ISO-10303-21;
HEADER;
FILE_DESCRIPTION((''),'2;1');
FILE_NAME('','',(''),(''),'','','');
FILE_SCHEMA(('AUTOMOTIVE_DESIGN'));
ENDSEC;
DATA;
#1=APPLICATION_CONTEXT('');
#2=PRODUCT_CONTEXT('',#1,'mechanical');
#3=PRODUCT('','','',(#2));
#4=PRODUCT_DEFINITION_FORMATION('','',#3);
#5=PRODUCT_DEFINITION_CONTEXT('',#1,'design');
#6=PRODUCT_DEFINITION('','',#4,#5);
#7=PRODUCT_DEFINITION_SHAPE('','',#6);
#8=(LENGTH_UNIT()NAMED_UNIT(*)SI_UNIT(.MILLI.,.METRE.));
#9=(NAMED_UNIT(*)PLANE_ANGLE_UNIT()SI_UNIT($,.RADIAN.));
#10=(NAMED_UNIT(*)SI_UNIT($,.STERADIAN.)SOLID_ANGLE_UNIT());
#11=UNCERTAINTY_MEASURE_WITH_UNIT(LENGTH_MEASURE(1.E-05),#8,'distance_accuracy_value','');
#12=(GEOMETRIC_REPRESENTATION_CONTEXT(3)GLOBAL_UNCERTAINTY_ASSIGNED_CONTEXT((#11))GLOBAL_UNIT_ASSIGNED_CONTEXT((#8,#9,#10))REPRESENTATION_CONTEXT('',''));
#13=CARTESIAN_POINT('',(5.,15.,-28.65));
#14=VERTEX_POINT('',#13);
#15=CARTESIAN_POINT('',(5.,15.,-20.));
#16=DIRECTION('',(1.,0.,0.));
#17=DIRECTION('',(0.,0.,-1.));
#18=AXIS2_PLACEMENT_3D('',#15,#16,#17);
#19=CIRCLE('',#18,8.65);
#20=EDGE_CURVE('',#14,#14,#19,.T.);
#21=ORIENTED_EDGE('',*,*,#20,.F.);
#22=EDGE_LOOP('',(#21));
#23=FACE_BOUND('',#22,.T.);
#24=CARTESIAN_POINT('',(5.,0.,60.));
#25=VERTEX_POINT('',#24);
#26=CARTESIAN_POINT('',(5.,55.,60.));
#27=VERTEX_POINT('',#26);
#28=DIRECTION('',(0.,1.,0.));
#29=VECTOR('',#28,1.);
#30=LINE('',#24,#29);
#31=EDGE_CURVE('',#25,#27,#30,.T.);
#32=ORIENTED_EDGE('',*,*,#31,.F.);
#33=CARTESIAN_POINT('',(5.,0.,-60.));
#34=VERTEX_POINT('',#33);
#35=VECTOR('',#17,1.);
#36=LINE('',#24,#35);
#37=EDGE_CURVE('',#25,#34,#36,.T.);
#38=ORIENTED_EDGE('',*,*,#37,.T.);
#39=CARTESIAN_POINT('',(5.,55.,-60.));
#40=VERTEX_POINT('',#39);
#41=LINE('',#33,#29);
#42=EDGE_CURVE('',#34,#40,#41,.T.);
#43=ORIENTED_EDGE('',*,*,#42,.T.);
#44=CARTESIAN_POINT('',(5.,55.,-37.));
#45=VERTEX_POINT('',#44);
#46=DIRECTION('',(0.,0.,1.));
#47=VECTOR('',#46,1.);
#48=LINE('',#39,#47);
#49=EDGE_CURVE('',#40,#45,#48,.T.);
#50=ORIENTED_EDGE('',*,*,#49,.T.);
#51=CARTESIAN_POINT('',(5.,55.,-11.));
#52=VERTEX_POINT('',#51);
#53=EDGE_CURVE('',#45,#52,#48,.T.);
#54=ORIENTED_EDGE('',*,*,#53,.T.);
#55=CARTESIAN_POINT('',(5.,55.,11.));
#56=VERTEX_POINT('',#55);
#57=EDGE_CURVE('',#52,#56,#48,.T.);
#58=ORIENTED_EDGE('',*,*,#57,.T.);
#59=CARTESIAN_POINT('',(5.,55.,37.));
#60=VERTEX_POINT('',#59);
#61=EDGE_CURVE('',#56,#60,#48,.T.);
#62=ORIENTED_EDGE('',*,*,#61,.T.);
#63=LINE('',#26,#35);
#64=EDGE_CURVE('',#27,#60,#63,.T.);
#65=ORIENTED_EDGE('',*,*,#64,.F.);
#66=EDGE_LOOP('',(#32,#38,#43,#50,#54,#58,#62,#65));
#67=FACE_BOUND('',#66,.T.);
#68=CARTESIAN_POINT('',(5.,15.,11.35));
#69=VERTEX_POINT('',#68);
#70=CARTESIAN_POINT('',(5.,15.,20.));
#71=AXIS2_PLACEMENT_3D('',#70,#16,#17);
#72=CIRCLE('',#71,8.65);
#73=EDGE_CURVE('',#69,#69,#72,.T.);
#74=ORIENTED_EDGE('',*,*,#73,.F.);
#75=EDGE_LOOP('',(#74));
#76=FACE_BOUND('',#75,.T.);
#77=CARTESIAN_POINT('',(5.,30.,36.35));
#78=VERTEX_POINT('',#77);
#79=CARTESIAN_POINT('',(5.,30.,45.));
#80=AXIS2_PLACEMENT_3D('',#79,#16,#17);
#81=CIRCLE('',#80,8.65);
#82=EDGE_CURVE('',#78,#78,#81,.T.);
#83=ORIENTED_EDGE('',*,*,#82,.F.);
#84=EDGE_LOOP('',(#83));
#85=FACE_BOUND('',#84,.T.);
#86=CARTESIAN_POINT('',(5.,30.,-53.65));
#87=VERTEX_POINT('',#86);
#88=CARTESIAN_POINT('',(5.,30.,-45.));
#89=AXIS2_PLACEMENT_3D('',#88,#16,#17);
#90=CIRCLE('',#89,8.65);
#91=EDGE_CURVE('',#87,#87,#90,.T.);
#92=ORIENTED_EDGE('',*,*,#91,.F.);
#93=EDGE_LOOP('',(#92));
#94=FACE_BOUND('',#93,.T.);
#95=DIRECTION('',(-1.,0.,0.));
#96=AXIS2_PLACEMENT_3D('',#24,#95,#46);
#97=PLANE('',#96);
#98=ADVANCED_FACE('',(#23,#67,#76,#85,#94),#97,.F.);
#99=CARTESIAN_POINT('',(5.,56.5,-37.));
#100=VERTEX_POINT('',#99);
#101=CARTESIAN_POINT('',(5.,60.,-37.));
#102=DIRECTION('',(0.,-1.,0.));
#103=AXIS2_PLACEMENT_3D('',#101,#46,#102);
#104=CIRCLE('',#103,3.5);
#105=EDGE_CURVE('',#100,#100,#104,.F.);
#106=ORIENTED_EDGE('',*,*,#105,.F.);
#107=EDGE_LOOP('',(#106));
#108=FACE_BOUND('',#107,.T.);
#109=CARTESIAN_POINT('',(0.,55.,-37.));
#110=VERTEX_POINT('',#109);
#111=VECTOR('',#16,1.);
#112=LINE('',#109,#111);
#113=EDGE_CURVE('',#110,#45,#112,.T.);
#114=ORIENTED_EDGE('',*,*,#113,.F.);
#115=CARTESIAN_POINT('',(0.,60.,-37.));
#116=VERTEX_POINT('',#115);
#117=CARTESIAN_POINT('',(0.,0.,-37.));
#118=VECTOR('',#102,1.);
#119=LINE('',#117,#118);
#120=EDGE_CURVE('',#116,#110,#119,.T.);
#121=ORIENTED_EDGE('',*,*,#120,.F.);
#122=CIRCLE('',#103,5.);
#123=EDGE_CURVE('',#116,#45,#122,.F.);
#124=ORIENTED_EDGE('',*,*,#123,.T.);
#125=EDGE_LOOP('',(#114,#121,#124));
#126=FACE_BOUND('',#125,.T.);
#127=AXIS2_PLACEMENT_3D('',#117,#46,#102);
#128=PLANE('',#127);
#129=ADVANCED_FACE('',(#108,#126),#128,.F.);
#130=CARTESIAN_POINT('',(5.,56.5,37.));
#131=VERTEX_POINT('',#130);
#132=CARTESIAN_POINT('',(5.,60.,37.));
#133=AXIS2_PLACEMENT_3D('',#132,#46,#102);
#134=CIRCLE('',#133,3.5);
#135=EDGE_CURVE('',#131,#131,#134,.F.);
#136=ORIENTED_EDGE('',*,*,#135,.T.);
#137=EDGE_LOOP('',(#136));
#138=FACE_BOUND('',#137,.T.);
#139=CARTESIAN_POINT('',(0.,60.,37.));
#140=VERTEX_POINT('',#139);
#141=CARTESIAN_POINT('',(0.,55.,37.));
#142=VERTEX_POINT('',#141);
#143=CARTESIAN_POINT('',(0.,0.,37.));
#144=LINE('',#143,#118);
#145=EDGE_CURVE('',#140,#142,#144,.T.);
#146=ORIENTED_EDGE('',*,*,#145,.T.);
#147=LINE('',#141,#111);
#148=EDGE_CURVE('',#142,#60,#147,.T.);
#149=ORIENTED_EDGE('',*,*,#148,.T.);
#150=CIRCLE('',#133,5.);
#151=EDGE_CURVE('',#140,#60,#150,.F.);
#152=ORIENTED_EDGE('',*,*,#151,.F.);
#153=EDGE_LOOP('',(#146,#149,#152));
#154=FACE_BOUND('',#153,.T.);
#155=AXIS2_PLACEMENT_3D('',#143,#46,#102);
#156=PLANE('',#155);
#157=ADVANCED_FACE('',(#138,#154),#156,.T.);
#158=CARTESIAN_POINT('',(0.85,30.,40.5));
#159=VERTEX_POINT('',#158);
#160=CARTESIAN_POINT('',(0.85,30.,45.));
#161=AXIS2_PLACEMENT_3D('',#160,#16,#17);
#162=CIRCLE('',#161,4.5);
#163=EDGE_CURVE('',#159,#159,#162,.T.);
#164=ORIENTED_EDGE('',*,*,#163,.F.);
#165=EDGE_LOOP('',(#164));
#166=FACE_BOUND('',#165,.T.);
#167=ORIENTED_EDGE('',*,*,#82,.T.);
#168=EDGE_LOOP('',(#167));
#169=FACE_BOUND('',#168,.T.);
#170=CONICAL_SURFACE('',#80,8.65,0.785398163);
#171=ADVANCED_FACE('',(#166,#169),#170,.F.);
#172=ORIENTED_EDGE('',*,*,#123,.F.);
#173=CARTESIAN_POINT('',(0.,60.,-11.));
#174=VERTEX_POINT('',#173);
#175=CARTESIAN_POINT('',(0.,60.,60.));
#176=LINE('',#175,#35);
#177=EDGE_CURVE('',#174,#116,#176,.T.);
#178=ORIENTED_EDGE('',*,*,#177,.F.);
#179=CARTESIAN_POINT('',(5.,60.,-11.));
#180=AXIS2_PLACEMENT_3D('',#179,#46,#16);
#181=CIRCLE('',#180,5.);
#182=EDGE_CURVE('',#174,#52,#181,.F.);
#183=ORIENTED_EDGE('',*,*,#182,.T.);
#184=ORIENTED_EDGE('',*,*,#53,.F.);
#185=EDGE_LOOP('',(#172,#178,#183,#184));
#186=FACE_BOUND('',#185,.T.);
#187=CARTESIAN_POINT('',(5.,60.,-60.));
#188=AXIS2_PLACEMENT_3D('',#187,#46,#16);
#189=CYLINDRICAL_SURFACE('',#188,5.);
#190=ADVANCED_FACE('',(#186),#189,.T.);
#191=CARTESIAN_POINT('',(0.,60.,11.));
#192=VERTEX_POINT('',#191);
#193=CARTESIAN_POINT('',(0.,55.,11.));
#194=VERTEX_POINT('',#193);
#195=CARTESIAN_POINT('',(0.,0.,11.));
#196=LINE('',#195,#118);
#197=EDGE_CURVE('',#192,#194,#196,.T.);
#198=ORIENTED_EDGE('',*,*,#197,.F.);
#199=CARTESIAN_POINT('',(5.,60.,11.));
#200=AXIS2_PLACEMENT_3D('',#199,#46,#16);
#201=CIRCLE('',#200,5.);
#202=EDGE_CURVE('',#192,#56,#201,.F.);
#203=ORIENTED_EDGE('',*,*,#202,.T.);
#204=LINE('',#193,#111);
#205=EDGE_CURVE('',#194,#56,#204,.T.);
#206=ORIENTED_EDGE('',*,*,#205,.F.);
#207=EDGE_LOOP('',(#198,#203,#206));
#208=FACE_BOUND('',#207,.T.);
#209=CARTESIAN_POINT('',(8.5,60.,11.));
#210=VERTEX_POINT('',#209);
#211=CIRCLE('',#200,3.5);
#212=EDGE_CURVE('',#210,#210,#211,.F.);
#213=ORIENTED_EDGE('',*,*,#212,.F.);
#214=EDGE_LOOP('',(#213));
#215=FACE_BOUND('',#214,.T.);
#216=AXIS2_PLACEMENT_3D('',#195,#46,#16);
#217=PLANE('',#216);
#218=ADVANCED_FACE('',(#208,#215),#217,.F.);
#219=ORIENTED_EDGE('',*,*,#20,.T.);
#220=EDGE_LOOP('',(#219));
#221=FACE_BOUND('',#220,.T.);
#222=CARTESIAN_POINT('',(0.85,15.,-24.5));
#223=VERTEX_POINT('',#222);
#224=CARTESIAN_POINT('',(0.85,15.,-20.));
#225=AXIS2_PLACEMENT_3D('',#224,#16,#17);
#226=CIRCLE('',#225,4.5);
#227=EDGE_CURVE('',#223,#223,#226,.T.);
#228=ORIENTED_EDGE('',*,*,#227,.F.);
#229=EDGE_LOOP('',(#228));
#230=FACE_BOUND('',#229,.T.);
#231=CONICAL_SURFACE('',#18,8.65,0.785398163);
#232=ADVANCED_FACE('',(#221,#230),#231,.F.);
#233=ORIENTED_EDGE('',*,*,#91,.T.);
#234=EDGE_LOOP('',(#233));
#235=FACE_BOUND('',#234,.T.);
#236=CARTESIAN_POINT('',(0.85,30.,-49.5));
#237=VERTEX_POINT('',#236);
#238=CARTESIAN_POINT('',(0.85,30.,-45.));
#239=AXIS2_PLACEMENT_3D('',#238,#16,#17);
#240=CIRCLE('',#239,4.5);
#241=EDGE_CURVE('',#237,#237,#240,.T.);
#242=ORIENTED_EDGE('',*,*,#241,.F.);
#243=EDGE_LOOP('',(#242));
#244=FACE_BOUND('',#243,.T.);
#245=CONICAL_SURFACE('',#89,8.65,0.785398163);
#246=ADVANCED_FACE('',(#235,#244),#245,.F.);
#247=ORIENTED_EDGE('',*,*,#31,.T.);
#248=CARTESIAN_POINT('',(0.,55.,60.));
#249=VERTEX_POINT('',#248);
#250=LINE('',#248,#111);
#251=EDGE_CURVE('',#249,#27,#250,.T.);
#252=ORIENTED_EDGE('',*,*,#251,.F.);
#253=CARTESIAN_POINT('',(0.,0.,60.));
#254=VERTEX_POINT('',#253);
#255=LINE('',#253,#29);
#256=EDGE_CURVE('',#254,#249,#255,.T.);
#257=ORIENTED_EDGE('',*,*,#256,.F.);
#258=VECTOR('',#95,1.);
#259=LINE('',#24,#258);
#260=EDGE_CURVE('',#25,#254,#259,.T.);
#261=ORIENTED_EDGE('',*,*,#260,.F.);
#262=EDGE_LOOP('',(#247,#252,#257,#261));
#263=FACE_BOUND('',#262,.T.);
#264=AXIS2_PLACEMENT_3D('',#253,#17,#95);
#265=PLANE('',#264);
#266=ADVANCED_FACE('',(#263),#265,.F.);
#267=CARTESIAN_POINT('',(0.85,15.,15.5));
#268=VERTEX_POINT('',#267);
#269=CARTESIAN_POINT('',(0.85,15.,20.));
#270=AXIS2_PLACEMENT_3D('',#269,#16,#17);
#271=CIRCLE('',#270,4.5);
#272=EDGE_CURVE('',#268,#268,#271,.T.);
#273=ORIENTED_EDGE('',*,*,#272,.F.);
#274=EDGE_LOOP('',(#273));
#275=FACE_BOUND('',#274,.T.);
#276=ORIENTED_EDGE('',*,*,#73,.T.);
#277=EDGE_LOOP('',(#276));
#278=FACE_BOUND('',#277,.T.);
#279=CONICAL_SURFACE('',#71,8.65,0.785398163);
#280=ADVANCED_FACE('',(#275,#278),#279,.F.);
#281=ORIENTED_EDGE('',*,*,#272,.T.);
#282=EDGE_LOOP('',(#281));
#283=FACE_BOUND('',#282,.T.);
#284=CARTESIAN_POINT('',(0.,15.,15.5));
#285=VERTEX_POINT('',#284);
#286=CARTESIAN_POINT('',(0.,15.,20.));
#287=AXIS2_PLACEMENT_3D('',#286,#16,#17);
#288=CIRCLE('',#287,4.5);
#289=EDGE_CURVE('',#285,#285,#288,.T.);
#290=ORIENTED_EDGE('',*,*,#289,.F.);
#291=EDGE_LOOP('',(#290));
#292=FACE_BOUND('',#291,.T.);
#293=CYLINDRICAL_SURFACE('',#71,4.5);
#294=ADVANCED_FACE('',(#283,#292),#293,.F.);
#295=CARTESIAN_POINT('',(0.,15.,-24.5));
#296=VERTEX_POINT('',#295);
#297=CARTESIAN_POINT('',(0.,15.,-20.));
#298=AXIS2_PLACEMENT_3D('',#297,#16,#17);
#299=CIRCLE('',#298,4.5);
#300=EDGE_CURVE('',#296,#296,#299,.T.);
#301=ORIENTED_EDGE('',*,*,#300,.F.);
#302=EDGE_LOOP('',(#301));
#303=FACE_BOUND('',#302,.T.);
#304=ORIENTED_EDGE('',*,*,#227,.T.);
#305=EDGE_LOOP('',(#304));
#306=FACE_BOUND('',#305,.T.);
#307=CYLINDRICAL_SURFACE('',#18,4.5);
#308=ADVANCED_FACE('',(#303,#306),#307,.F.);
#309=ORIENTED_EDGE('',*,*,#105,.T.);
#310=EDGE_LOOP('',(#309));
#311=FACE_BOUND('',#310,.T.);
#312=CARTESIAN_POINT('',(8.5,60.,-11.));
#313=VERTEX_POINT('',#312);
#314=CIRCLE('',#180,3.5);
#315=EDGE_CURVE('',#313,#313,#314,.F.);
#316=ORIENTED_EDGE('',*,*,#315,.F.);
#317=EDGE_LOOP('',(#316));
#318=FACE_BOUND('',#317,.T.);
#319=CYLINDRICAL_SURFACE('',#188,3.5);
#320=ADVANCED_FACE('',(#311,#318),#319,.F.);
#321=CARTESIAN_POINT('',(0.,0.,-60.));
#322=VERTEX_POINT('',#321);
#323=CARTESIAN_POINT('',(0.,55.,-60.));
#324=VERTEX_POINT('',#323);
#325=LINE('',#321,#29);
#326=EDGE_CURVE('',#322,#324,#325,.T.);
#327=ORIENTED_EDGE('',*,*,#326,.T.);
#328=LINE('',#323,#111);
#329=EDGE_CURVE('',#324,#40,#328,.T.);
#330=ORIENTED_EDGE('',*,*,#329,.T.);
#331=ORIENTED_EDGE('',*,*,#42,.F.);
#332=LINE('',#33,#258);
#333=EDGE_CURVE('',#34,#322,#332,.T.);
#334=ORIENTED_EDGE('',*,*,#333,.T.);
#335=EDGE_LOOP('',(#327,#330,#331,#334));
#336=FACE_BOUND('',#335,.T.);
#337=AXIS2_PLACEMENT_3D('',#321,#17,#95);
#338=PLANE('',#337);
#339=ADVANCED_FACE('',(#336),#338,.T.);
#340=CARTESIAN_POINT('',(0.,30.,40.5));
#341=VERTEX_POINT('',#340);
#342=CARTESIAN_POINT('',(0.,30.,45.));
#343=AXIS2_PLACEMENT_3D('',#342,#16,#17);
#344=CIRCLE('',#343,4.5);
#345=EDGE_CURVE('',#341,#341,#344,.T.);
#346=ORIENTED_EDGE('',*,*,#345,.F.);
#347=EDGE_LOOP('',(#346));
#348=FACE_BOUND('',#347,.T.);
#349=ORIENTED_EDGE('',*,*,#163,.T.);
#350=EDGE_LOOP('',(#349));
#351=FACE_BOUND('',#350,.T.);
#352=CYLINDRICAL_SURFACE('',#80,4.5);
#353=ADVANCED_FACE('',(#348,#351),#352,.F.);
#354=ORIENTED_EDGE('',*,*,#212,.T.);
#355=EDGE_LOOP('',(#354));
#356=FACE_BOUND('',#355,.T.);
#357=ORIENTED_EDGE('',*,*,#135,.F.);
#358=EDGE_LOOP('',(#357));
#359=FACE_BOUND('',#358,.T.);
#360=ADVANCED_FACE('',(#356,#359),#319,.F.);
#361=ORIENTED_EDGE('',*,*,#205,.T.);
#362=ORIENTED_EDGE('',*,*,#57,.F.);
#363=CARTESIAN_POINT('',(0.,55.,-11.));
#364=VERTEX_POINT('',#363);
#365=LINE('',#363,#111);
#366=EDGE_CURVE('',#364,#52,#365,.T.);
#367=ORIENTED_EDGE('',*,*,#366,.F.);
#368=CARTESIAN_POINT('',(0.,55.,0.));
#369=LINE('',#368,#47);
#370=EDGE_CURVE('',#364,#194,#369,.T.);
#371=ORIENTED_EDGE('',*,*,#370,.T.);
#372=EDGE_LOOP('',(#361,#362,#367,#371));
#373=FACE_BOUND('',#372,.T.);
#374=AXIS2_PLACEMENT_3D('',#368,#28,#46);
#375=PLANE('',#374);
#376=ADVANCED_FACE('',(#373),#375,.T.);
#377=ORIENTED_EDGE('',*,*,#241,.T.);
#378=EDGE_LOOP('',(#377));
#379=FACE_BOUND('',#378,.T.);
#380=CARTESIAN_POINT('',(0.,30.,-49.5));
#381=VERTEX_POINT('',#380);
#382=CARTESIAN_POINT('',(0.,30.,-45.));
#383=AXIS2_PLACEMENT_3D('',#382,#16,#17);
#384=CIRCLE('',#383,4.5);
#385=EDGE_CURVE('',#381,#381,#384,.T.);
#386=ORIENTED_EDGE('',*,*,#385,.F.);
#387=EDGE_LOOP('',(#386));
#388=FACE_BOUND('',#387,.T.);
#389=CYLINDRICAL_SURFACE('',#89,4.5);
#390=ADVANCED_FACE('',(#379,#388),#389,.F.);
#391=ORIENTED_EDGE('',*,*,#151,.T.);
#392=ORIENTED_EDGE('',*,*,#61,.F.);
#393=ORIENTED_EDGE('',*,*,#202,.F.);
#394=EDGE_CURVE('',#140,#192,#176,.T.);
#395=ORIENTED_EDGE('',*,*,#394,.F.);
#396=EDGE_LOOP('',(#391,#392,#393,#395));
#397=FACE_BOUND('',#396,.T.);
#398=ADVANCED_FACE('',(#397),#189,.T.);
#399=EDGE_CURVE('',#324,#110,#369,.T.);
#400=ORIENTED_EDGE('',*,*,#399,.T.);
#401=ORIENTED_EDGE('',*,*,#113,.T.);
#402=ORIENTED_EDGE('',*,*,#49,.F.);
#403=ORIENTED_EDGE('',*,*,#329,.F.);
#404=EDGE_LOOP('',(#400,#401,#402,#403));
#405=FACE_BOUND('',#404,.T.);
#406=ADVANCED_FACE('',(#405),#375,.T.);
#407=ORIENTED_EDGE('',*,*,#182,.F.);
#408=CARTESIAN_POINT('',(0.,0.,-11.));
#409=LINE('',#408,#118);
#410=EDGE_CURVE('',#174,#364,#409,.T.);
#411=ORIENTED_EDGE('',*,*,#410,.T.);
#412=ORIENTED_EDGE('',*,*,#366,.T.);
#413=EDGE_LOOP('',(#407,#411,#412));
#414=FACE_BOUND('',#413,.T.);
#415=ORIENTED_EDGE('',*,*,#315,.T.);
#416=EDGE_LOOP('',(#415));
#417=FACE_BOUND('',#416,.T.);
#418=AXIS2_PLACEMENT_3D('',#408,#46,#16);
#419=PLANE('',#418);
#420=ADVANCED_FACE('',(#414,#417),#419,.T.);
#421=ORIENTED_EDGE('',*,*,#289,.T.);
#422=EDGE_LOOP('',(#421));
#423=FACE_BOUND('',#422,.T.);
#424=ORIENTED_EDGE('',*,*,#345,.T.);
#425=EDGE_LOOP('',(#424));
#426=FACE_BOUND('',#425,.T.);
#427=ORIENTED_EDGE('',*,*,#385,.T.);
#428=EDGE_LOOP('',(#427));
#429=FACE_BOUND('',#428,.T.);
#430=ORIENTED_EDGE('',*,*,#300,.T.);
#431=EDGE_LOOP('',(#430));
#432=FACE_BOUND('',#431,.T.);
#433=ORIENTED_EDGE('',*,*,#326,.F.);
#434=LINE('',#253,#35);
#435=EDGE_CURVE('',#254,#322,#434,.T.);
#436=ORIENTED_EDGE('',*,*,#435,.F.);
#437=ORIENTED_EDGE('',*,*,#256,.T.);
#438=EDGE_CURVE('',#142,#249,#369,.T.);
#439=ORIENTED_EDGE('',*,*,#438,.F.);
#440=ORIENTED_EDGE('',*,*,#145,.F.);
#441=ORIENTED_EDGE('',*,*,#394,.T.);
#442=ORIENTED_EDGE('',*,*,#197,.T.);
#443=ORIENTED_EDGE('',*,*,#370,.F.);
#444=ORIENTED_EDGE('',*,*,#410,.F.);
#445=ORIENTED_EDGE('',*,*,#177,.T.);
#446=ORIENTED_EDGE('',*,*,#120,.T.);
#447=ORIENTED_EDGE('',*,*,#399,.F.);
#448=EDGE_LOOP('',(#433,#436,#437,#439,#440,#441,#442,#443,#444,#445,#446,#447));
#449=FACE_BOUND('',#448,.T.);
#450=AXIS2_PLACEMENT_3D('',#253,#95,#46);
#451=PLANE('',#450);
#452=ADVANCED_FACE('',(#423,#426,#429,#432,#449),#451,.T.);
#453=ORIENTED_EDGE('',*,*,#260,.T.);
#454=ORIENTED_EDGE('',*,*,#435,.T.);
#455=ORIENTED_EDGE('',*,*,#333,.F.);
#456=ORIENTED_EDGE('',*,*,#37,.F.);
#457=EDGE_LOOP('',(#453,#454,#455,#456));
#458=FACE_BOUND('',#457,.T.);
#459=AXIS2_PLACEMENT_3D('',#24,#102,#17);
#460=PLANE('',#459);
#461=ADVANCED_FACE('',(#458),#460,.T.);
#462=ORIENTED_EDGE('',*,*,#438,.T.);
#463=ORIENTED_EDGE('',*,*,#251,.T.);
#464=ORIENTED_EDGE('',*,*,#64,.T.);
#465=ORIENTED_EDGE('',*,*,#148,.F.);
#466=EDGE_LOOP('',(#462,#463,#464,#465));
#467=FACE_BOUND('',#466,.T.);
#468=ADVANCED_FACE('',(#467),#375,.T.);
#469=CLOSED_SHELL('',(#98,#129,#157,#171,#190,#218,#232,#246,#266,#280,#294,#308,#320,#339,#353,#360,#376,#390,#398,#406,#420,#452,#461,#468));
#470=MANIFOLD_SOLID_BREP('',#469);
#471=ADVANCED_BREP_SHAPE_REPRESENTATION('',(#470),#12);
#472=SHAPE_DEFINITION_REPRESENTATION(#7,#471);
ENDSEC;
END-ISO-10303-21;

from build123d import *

# Parameters (mm, degrees)
SKETCH_1_W                 = 5
SKETCH_1_H                 = 60
EXTRUDE_1_DEPTH            = 60
SKETCH_2_R                 = 5
SKETCH_4_R                 = 3.5
CUT_EXTRUDE_1_DEPTH        = 137.839321834
HOLE_WIZARD_M81_AT_2_COUNT = 2
HOLE_WIZARD_M81_AT_2_PITCH = 29.154759474
CUT_EXTRUDE_2_DEPTH        = 89.600225733
CUT_EXTRUDE_2_DEPTH_BACK   = 89.600225733
SKETCH_7_W                 = 23
SKETCH_7_H                 = 10
SKETCH_7_W_2               = 22


with BuildPart() as part:
    # Эскиз1 → Вытянуть-Тонкостенный1 (new, symmetric)
    with BuildSketch(Plane.XY):
        with Locations((2.5, 30)):
            Rectangle(SKETCH_1_W, SKETCH_1_H)
    extrude(amount=EXTRUDE_1_DEPTH, both=True)

    # По траектории1: sweep along a curve in space
    with BuildLine() as sweep_1_path:
        Line((5, 60, 60), (5, 60, -60))
    # Эскиз2 → По траектории1 (sweep)
    with BuildSketch(Plane.XY.offset(60)):
        with Locations((5, 60)):
            Circle(SKETCH_2_R)
    sweep(path=sweep_1_path.line)

    # Эскиз4 → Вырез-Вытянуть1 (cut, through all)
    with BuildSketch(Plane.XY.offset(60)):
        with Locations((5, 60)):
            Circle(SKETCH_4_R)
    extrude(amount=-CUT_EXTRUDE_1_DEPTH, mode=Mode.SUBTRACT)

    # Эскиз5 → Зенковка для  винта с плоской головкой M81 (revolve, cut)
    with BuildSketch(Plane(origin=(5, 30, 45), x_dir=(0, 0, -1), z_dir=(0, 1, 0))):
        Polygon((0, 0), (0, 5), (4.5, 5), (4.5, 4.15), (8.65, 0), align=None)
    hole_wizard_m81 = revolve(axis=Axis((11.35, 30, 45), (-1, 0, 0)), mode=Mode.SUBTRACT)

    # Зенковка для  винта с плоской головкой M81 at 2: Зенковка для  винта с плоской головкой M81 ×2
    with Locations(*[Vector(0, -0.5144957554275265, -0.8574929257125442) * (i * HOLE_WIZARD_M81_AT_2_PITCH) for i in range(1, HOLE_WIZARD_M81_AT_2_COUNT)]):
        add(hole_wizard_m81, mode=Mode.SUBTRACT)

    # Зеркальное отражение1: Зенковка для  винта с плоской головкой M81 across plane
    add(hole_wizard_m81.mirror(Plane.XY), mode=Mode.SUBTRACT)

    # Зеркальное отражение1 copy 1 sketch → Зеркальное отражение1 copy 1 (revolve, cut)
    with BuildSketch(Plane(origin=(5, 15, -20), x_dir=(0, 0, 1), z_dir=(0, 1, 0))):
        Polygon((0, 0), (0, -5), (4.5, -5), (4.5, -4.15), (8.65, 0), align=None)
    revolve(axis=Axis((11.35, 15, -20), (1, 0, 0)), mode=Mode.SUBTRACT)

    # Эскиз7 → Вырез-Вытянуть2 (cut, two sides: drawn at the far end of the back side and taken through both)
    with BuildSketch(Plane(origin=(5, 0, 0), x_dir=(0, 0, -1), z_dir=(1, 0, 0)).offset(-CUT_EXTRUDE_2_DEPTH_BACK)):
        with Locations((48.5, 60)):
            Rectangle(SKETCH_7_W, SKETCH_7_H)
        with Locations((0, 60)):
            Rectangle(SKETCH_7_W_2, SKETCH_7_H)
        with Locations((-48.5, 60)):
            Rectangle(SKETCH_7_W, SKETCH_7_H)
    extrude(amount=CUT_EXTRUDE_2_DEPTH + CUT_EXTRUDE_2_DEPTH_BACK, mode=Mode.SUBTRACT)


solid = part.part
